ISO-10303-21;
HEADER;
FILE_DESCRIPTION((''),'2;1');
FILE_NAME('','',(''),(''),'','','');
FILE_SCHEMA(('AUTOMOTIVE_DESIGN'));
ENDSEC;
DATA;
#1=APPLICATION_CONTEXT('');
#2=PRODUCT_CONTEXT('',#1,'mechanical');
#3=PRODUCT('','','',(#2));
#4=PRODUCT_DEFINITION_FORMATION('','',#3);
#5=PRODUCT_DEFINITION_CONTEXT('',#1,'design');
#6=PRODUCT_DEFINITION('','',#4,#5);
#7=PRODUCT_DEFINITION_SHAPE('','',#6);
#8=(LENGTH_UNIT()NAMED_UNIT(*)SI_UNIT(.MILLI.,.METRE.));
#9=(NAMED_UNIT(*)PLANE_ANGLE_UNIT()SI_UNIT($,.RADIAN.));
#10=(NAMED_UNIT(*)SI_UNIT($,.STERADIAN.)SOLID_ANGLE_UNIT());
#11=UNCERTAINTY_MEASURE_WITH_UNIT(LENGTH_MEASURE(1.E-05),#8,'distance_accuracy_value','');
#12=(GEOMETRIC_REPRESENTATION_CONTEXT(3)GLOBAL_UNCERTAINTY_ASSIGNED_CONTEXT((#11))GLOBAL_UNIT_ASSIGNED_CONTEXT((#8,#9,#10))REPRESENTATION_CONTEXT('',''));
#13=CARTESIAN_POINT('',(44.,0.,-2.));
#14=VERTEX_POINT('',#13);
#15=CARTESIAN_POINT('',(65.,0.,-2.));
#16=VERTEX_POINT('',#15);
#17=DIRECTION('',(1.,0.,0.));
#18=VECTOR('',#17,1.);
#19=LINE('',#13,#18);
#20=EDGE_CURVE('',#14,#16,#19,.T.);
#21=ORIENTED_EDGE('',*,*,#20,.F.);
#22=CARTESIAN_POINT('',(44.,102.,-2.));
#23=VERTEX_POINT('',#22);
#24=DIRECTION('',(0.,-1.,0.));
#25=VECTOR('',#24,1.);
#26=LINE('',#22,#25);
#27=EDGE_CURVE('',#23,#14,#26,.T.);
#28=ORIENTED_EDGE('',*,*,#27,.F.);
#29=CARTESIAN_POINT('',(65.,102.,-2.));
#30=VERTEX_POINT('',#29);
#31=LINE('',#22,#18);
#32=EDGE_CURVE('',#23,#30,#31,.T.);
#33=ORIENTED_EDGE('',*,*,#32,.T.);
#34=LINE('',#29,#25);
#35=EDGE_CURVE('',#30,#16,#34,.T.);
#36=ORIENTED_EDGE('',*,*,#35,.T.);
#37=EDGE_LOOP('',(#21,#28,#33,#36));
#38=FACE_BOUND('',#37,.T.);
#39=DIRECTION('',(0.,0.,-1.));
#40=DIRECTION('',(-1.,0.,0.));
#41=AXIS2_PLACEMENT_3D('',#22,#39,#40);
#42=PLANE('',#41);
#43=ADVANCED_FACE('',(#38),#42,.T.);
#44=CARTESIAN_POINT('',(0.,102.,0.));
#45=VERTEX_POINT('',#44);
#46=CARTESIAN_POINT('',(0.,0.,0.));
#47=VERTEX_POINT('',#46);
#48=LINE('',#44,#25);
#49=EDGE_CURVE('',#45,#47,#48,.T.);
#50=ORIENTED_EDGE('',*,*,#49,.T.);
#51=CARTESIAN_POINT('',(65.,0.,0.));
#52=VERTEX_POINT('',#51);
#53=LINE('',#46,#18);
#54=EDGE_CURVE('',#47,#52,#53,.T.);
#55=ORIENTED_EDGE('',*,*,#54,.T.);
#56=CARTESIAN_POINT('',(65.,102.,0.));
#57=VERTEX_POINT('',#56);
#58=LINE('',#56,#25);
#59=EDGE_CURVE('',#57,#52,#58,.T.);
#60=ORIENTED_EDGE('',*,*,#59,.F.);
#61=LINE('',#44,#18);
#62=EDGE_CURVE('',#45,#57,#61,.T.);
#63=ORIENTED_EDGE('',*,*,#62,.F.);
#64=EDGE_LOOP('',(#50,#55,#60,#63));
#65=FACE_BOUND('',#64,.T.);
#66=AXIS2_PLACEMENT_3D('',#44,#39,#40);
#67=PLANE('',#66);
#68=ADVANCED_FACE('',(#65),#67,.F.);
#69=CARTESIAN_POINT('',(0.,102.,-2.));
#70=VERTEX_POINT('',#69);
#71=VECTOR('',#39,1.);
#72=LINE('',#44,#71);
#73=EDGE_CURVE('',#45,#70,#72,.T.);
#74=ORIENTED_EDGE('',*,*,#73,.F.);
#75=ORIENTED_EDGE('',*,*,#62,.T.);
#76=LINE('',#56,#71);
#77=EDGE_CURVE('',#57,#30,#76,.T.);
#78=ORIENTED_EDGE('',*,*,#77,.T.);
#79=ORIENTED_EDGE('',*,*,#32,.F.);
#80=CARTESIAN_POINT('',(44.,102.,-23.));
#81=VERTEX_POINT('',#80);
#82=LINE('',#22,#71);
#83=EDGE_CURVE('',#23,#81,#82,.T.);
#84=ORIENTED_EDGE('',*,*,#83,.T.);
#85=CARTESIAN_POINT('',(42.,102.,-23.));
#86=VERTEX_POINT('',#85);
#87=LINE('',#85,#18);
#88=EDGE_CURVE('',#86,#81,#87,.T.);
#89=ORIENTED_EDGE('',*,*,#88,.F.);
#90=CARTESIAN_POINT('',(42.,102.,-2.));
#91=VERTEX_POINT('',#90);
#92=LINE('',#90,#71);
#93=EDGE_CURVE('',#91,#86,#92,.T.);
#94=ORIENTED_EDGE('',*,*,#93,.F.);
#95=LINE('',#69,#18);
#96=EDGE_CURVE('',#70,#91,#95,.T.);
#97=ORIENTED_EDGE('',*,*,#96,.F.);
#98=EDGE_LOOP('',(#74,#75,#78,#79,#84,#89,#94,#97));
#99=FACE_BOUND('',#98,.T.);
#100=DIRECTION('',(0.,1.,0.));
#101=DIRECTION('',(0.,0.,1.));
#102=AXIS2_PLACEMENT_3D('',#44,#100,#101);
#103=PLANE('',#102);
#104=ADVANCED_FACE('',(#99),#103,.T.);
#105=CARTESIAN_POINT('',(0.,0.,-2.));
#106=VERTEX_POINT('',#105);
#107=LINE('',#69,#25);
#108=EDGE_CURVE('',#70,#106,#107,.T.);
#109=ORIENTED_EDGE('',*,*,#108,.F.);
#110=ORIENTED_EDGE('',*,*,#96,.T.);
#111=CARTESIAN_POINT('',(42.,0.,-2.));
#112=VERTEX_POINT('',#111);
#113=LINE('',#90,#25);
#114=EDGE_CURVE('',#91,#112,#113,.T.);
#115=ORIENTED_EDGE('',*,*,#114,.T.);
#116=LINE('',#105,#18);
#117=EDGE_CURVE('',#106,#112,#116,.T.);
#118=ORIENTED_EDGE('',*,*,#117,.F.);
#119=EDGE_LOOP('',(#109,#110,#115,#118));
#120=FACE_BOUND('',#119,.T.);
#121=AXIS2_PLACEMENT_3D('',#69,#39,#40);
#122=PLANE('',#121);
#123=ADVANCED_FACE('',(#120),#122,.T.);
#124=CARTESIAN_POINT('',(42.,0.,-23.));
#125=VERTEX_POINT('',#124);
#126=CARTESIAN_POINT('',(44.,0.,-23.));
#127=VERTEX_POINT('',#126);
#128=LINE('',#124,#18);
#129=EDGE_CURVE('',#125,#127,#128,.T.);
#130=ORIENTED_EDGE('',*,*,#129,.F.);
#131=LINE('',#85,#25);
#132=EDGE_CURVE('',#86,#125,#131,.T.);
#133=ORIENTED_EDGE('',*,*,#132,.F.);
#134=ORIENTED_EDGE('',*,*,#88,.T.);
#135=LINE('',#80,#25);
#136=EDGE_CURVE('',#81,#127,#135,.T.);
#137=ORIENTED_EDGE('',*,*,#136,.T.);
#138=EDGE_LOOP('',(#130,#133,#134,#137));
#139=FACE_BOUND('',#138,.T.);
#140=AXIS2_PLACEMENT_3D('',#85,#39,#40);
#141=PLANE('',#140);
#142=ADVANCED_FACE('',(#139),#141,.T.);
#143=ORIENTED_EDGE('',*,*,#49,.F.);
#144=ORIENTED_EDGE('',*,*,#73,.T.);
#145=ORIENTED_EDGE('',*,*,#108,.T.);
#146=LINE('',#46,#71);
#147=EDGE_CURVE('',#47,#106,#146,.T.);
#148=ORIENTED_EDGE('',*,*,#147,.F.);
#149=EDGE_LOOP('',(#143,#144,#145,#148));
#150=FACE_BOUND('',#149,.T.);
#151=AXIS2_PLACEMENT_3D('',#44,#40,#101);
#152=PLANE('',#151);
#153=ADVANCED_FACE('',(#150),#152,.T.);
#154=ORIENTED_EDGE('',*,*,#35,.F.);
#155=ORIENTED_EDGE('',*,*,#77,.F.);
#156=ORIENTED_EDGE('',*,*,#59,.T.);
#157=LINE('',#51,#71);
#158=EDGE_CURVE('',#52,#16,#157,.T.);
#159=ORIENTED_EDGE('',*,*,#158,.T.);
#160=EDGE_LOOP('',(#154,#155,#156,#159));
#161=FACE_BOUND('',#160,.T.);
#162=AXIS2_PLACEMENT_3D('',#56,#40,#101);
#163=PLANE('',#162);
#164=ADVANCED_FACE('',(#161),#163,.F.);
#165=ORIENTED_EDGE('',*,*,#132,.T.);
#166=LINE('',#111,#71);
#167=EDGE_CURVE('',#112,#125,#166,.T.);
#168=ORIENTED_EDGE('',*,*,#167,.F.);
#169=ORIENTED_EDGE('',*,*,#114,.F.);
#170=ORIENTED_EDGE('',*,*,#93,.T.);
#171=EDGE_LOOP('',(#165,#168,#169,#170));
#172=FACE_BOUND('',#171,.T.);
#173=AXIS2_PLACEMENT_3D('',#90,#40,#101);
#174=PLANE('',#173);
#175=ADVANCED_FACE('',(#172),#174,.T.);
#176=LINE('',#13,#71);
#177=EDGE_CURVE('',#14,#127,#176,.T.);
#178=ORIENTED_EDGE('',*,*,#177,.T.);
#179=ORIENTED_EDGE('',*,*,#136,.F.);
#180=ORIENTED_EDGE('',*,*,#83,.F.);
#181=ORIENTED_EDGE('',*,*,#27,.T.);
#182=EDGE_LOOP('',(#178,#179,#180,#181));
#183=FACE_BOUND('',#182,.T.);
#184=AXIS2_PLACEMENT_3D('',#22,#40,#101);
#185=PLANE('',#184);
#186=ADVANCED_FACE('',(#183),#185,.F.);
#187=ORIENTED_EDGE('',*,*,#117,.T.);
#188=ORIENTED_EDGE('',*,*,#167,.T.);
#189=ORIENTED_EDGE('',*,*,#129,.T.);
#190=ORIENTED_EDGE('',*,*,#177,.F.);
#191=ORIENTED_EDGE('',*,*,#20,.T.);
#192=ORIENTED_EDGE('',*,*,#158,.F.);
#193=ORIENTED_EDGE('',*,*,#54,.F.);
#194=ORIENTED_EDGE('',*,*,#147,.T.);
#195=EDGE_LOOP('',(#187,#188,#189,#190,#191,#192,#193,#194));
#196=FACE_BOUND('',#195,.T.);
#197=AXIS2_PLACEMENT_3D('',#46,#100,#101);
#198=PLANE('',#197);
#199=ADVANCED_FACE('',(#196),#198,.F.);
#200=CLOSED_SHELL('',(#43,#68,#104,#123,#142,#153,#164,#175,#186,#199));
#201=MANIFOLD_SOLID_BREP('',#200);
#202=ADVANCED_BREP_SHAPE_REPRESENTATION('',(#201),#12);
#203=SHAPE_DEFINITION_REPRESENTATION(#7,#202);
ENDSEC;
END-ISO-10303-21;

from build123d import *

# Parameters (mm, degrees)
BOSS_EXTRUDE1_DEPTH = 102


with BuildPart() as part:
    # Sketch1 → Boss-Extrude1 (new body)
    with BuildSketch(Plane(origin=(0, 0, 0), x_dir=(1, 0, 0), z_dir=(0, 1, 0))):
        Polygon((44, 2), (65, 2), (65, 0), (0, 0), (0, 2), (42, 2), (42, 23), (44, 23), align=None)
    extrude(amount=BOSS_EXTRUDE1_DEPTH)


solid = part.part
